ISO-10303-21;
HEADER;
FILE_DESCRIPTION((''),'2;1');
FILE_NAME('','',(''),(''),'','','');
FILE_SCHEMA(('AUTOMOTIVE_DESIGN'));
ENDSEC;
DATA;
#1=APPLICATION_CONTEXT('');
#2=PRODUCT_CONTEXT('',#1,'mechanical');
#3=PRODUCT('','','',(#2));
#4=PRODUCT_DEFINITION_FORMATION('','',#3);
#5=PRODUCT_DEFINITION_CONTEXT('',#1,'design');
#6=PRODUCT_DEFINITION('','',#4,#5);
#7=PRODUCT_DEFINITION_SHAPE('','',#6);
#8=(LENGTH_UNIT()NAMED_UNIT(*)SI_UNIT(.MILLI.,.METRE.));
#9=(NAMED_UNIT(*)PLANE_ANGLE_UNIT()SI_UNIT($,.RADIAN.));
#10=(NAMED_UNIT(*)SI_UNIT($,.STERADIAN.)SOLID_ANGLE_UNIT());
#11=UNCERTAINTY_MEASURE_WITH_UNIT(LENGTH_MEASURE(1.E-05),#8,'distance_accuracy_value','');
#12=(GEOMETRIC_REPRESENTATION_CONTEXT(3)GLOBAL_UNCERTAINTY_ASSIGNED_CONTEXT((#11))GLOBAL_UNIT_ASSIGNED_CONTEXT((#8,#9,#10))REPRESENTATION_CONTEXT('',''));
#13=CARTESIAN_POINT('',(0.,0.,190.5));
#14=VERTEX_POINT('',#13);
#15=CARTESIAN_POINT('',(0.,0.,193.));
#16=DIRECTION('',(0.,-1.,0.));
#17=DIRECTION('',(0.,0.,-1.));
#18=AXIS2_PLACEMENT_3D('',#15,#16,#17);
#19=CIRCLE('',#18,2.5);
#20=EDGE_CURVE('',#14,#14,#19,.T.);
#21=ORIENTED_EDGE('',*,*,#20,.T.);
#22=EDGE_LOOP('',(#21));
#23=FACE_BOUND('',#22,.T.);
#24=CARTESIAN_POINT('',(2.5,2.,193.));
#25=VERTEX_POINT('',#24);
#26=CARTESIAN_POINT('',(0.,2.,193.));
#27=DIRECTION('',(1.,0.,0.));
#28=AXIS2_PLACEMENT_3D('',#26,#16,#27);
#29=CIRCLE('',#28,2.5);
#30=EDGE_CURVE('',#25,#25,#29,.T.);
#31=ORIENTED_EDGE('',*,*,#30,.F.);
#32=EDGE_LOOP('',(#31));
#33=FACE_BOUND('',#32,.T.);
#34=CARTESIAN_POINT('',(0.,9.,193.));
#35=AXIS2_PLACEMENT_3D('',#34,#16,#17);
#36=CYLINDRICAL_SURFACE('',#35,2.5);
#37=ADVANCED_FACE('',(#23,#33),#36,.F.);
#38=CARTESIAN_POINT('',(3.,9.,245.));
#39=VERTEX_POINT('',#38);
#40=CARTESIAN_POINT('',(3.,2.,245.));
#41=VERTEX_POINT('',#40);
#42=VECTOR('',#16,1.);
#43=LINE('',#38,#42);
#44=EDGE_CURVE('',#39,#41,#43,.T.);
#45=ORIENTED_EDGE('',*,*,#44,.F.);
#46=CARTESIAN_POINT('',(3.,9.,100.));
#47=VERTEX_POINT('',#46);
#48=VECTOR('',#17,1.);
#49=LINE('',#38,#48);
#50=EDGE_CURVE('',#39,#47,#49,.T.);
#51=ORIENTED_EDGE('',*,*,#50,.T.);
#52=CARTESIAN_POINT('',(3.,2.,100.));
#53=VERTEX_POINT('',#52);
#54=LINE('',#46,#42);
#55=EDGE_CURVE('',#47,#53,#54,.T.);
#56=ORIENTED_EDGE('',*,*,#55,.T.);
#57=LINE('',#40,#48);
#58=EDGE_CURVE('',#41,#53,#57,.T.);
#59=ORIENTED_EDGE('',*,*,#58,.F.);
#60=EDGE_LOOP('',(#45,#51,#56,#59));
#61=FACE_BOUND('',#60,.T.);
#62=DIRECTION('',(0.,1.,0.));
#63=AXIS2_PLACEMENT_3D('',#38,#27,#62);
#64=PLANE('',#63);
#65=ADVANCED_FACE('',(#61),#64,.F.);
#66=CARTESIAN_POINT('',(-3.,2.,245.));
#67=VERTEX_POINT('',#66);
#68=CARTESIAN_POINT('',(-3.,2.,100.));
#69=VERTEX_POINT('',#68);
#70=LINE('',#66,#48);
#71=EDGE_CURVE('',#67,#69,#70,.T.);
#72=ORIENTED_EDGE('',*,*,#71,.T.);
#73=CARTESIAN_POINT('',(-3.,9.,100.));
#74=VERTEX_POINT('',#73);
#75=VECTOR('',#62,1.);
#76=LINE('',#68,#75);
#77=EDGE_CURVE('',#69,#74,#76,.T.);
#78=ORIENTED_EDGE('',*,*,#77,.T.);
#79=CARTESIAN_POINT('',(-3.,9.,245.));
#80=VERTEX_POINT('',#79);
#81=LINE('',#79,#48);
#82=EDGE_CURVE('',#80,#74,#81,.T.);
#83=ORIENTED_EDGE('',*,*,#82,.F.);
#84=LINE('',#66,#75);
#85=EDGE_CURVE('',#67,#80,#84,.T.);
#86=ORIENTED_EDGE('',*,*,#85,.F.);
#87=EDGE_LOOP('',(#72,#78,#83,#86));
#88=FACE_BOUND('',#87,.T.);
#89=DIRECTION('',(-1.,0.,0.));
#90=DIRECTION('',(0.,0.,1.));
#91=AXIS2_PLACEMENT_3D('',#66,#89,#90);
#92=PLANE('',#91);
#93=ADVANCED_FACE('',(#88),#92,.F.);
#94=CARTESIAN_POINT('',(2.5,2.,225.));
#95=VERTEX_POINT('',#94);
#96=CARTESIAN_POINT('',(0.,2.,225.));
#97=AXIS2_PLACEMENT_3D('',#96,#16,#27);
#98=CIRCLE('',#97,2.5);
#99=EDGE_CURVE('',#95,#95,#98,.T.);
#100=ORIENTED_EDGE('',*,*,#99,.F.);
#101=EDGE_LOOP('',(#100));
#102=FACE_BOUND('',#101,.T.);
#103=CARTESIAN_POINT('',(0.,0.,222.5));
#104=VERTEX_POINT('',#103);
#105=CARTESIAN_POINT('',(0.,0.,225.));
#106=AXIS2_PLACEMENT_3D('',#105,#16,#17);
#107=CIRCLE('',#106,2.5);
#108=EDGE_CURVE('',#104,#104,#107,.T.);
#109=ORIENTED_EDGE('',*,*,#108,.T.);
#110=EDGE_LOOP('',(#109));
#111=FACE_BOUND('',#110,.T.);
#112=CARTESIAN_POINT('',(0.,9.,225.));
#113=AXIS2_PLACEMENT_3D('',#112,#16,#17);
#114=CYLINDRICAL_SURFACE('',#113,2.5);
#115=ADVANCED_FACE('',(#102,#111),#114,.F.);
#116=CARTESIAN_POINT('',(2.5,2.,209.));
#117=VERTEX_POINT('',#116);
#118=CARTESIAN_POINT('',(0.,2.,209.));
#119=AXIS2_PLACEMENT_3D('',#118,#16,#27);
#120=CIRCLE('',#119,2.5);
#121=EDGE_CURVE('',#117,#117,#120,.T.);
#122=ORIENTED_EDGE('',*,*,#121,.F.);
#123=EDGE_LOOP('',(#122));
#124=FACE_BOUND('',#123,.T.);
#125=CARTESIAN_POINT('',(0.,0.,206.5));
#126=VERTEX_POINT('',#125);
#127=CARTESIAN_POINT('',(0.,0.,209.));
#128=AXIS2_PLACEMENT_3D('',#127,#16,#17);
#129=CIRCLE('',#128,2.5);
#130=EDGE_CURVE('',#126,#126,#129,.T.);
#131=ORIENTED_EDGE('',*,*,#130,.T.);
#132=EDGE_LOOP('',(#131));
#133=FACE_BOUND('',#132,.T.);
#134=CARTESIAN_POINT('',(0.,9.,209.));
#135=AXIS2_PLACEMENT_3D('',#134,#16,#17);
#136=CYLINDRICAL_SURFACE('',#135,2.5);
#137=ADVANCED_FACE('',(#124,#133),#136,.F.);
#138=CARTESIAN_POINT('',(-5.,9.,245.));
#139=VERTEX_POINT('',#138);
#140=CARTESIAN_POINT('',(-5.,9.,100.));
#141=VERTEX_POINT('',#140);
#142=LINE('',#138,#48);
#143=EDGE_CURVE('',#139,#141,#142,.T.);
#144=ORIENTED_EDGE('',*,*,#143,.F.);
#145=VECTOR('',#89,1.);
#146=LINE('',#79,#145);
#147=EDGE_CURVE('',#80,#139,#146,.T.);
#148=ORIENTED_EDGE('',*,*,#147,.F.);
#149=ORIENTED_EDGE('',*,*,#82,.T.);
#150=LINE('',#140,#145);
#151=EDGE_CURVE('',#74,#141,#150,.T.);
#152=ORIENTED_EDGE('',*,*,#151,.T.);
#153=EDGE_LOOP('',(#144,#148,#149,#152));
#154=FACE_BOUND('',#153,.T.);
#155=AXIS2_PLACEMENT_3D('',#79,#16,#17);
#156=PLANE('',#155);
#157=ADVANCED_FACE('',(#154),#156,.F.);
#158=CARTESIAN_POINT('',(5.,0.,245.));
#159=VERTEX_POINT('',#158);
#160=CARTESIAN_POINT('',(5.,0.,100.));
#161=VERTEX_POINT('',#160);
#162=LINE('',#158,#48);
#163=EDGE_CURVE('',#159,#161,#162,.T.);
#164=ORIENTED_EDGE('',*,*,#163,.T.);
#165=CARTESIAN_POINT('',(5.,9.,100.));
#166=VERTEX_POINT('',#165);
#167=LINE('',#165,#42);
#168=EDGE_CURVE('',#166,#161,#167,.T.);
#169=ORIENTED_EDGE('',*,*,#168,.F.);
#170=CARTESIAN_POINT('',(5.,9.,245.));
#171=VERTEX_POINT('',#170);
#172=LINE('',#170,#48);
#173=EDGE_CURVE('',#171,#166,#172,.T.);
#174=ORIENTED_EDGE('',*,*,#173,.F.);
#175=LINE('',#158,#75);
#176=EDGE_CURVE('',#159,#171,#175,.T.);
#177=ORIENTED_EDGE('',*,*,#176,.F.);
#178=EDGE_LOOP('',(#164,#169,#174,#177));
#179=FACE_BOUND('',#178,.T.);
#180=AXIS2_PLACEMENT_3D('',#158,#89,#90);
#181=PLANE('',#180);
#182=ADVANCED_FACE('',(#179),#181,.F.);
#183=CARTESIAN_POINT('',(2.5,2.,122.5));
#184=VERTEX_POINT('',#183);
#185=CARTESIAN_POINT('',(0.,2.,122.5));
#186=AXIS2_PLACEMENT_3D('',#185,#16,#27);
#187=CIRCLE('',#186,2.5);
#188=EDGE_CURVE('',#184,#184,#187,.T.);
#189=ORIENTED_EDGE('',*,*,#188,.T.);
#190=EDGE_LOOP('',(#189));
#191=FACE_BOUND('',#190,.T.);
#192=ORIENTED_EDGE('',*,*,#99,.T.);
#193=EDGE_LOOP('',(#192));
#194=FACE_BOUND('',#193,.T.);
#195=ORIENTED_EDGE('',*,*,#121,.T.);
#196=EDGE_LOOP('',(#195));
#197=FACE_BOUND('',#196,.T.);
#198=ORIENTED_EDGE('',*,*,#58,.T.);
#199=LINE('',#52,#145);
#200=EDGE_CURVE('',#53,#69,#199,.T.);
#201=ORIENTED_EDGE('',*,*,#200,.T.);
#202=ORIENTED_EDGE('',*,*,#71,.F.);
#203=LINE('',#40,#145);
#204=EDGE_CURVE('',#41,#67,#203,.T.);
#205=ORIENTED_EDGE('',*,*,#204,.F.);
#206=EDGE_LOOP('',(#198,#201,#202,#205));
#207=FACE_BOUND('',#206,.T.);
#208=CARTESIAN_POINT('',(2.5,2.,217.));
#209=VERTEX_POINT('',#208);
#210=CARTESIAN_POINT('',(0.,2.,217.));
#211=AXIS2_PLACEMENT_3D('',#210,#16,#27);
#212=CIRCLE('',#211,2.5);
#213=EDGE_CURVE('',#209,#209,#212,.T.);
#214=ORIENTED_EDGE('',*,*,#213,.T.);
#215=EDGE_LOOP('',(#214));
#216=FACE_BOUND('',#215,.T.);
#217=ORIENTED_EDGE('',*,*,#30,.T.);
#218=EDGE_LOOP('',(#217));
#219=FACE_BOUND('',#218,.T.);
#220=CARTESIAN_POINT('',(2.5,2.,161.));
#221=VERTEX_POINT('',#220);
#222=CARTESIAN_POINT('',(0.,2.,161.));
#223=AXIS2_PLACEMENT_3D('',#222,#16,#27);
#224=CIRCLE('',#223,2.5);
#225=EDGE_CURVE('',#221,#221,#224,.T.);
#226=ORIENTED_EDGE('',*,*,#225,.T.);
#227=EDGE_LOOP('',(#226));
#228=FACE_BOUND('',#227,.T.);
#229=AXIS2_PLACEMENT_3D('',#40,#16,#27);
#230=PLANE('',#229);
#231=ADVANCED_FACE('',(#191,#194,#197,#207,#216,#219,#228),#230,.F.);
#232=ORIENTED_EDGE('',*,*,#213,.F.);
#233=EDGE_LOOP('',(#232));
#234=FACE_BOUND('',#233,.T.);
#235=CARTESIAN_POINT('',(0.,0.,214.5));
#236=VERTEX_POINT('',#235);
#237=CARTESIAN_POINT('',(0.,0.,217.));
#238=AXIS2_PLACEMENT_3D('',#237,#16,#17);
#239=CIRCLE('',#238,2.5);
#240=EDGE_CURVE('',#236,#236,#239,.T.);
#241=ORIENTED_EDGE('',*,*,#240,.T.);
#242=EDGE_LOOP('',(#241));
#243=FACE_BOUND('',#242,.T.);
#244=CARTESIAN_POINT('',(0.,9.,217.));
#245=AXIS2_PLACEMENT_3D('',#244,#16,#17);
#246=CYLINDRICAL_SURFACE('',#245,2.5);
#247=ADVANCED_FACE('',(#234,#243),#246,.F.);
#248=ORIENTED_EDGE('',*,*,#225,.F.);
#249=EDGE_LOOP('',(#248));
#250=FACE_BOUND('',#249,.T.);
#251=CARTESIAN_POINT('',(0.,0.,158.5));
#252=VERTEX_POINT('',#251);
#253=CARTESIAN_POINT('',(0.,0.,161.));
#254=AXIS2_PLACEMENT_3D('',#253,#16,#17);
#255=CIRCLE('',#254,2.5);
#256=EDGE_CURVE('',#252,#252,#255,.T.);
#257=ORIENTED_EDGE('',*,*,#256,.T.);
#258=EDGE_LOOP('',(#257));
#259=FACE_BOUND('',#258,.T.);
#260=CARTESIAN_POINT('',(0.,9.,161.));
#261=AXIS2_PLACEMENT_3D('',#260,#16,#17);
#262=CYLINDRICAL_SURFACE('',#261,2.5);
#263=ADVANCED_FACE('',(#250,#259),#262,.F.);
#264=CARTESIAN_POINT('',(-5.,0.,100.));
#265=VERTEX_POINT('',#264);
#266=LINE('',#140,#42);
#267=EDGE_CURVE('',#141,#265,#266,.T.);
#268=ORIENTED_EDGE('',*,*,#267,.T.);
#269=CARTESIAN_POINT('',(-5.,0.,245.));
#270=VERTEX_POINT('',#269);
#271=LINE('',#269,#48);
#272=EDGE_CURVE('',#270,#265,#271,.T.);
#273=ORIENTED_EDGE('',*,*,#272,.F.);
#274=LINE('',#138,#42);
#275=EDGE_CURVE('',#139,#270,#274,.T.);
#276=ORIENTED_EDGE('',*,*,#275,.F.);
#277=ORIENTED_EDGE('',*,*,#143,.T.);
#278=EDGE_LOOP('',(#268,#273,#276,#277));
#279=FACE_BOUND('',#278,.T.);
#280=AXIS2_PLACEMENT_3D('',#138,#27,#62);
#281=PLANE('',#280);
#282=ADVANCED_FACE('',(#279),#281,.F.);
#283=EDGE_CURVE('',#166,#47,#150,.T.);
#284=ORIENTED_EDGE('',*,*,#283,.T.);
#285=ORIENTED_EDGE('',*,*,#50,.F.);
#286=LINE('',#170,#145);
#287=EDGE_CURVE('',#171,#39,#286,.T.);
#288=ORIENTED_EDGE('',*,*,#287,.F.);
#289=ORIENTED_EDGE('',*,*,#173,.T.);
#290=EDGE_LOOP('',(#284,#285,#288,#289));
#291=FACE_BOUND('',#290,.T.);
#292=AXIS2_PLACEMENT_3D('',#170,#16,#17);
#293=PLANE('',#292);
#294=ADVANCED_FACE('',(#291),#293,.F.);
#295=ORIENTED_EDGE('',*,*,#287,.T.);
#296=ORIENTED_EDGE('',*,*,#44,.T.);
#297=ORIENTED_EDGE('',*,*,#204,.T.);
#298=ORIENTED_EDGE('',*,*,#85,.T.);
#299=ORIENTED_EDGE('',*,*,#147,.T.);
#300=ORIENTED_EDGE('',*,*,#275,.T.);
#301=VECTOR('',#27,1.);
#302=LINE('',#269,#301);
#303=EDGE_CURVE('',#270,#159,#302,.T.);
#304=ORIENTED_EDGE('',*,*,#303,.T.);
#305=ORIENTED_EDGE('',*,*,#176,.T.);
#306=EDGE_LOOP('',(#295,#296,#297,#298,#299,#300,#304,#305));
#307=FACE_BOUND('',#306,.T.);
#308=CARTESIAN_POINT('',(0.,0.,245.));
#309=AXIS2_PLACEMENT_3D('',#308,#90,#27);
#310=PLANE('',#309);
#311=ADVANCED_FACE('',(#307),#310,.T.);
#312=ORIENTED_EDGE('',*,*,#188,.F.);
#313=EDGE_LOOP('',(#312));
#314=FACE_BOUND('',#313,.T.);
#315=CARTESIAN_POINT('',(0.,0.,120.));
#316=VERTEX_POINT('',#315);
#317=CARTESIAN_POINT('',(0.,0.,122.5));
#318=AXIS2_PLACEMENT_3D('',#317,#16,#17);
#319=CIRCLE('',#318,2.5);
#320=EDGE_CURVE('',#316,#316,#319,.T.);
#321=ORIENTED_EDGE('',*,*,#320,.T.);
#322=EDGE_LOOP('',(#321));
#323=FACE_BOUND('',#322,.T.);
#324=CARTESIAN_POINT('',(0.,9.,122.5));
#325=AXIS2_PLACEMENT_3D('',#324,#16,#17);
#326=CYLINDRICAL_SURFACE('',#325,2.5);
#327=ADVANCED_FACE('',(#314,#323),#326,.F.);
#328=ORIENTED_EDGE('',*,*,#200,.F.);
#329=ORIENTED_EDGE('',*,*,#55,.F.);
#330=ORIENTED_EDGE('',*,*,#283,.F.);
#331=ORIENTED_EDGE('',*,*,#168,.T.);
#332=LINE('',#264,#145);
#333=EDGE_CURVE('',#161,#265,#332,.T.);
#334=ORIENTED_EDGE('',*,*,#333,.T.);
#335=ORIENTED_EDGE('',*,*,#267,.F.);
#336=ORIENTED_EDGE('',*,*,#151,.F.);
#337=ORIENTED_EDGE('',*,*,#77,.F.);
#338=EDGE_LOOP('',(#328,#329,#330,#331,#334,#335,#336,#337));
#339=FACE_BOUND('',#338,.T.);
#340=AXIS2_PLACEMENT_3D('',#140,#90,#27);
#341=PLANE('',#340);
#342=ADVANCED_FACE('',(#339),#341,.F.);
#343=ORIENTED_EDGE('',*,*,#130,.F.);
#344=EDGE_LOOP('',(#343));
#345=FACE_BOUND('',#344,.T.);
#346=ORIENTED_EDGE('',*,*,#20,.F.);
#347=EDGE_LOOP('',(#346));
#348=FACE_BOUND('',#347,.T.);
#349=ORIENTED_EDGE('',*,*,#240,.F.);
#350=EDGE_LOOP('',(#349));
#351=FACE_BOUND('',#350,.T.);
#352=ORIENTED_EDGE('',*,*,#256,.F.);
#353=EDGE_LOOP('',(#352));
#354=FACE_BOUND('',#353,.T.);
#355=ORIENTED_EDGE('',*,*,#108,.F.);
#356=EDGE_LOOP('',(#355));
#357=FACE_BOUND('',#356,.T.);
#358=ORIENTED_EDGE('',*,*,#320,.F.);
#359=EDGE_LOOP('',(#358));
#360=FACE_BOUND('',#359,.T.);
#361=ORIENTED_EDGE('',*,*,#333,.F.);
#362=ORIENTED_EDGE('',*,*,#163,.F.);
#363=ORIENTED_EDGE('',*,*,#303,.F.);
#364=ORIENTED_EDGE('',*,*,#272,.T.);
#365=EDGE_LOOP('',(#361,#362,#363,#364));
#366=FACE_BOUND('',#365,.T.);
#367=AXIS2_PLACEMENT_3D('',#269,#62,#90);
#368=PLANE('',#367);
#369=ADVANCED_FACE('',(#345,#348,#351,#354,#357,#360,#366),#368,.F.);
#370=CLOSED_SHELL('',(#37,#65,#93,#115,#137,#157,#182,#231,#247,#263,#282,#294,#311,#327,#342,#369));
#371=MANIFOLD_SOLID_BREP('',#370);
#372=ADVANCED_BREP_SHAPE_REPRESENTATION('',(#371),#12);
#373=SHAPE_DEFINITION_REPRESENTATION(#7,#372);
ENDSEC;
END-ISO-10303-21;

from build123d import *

# Parameters (mm, degrees)
EXTRUDE_1_DEPTH          = 245
SKETCH_2_R               = 2.5
CUT_EXTRUDE_1_DEPTH      = 246.21623111
CUT_EXTRUDE_2_DEPTH      = 246.21623111
CUT_EXTRUDE_2_DEPTH_BACK = 246.21623111
SKETCH_3_W               = 10
SKETCH_3_H               = 100


with BuildPart() as part:
    # ｽｹｯﾁ1 → ﾎﾞｽ - 押し出し1 (new body)
    with BuildSketch(Plane.XY):
        Polygon((-5, 9), (-5, 0), (5, 0), (5, 9), (3, 9), (3, 2), (-3, 2), (-3, 9), align=None)
    extrude(amount=EXTRUDE_1_DEPTH)

    # ｽｹｯﾁ2 → ｶｯﾄ - 押し出し1 (cut, through all)
    with BuildSketch(Plane.XZ):
        with Locations(Location((0, 225, 0), (0, 0, 270))):
            Circle(SKETCH_2_R)
        with Locations(Location((0, 217, 0), (0, 0, 270))):
            Circle(SKETCH_2_R)
        with Locations(Location((0, 122.5, 0), (0, 0, 270))):
            Circle(SKETCH_2_R)
        with Locations(Location((0, 209, 0), (0, 0, 270))):
            Circle(SKETCH_2_R)
        with Locations(Location((0, 193, 0), (0, 0, 270))):
            Circle(SKETCH_2_R)
        with Locations(Location((0, 161, 0), (0, 0, 270))):
            Circle(SKETCH_2_R)
    cut_extrude_1 = extrude(amount=-CUT_EXTRUDE_1_DEPTH, mode=Mode.SUBTRACT)

    # ﾐﾗｰ1: ｶｯﾄ - 押し出し1 across plane
    add(cut_extrude_1.mirror(Plane.XY.offset(122.5)), mode=Mode.SUBTRACT)

    # ｽｹｯﾁ3 → ｶｯﾄ - 押し出し2 (cut, two sides: drawn at the far end of the back side and taken through both)
    with BuildSketch(Plane.XZ.offset(-CUT_EXTRUDE_2_DEPTH_BACK)):
        with Locations((0, 50)):
            Rectangle(SKETCH_3_W, SKETCH_3_H)
    extrude(amount=CUT_EXTRUDE_2_DEPTH + CUT_EXTRUDE_2_DEPTH_BACK, mode=Mode.SUBTRACT)


solid = part.part
